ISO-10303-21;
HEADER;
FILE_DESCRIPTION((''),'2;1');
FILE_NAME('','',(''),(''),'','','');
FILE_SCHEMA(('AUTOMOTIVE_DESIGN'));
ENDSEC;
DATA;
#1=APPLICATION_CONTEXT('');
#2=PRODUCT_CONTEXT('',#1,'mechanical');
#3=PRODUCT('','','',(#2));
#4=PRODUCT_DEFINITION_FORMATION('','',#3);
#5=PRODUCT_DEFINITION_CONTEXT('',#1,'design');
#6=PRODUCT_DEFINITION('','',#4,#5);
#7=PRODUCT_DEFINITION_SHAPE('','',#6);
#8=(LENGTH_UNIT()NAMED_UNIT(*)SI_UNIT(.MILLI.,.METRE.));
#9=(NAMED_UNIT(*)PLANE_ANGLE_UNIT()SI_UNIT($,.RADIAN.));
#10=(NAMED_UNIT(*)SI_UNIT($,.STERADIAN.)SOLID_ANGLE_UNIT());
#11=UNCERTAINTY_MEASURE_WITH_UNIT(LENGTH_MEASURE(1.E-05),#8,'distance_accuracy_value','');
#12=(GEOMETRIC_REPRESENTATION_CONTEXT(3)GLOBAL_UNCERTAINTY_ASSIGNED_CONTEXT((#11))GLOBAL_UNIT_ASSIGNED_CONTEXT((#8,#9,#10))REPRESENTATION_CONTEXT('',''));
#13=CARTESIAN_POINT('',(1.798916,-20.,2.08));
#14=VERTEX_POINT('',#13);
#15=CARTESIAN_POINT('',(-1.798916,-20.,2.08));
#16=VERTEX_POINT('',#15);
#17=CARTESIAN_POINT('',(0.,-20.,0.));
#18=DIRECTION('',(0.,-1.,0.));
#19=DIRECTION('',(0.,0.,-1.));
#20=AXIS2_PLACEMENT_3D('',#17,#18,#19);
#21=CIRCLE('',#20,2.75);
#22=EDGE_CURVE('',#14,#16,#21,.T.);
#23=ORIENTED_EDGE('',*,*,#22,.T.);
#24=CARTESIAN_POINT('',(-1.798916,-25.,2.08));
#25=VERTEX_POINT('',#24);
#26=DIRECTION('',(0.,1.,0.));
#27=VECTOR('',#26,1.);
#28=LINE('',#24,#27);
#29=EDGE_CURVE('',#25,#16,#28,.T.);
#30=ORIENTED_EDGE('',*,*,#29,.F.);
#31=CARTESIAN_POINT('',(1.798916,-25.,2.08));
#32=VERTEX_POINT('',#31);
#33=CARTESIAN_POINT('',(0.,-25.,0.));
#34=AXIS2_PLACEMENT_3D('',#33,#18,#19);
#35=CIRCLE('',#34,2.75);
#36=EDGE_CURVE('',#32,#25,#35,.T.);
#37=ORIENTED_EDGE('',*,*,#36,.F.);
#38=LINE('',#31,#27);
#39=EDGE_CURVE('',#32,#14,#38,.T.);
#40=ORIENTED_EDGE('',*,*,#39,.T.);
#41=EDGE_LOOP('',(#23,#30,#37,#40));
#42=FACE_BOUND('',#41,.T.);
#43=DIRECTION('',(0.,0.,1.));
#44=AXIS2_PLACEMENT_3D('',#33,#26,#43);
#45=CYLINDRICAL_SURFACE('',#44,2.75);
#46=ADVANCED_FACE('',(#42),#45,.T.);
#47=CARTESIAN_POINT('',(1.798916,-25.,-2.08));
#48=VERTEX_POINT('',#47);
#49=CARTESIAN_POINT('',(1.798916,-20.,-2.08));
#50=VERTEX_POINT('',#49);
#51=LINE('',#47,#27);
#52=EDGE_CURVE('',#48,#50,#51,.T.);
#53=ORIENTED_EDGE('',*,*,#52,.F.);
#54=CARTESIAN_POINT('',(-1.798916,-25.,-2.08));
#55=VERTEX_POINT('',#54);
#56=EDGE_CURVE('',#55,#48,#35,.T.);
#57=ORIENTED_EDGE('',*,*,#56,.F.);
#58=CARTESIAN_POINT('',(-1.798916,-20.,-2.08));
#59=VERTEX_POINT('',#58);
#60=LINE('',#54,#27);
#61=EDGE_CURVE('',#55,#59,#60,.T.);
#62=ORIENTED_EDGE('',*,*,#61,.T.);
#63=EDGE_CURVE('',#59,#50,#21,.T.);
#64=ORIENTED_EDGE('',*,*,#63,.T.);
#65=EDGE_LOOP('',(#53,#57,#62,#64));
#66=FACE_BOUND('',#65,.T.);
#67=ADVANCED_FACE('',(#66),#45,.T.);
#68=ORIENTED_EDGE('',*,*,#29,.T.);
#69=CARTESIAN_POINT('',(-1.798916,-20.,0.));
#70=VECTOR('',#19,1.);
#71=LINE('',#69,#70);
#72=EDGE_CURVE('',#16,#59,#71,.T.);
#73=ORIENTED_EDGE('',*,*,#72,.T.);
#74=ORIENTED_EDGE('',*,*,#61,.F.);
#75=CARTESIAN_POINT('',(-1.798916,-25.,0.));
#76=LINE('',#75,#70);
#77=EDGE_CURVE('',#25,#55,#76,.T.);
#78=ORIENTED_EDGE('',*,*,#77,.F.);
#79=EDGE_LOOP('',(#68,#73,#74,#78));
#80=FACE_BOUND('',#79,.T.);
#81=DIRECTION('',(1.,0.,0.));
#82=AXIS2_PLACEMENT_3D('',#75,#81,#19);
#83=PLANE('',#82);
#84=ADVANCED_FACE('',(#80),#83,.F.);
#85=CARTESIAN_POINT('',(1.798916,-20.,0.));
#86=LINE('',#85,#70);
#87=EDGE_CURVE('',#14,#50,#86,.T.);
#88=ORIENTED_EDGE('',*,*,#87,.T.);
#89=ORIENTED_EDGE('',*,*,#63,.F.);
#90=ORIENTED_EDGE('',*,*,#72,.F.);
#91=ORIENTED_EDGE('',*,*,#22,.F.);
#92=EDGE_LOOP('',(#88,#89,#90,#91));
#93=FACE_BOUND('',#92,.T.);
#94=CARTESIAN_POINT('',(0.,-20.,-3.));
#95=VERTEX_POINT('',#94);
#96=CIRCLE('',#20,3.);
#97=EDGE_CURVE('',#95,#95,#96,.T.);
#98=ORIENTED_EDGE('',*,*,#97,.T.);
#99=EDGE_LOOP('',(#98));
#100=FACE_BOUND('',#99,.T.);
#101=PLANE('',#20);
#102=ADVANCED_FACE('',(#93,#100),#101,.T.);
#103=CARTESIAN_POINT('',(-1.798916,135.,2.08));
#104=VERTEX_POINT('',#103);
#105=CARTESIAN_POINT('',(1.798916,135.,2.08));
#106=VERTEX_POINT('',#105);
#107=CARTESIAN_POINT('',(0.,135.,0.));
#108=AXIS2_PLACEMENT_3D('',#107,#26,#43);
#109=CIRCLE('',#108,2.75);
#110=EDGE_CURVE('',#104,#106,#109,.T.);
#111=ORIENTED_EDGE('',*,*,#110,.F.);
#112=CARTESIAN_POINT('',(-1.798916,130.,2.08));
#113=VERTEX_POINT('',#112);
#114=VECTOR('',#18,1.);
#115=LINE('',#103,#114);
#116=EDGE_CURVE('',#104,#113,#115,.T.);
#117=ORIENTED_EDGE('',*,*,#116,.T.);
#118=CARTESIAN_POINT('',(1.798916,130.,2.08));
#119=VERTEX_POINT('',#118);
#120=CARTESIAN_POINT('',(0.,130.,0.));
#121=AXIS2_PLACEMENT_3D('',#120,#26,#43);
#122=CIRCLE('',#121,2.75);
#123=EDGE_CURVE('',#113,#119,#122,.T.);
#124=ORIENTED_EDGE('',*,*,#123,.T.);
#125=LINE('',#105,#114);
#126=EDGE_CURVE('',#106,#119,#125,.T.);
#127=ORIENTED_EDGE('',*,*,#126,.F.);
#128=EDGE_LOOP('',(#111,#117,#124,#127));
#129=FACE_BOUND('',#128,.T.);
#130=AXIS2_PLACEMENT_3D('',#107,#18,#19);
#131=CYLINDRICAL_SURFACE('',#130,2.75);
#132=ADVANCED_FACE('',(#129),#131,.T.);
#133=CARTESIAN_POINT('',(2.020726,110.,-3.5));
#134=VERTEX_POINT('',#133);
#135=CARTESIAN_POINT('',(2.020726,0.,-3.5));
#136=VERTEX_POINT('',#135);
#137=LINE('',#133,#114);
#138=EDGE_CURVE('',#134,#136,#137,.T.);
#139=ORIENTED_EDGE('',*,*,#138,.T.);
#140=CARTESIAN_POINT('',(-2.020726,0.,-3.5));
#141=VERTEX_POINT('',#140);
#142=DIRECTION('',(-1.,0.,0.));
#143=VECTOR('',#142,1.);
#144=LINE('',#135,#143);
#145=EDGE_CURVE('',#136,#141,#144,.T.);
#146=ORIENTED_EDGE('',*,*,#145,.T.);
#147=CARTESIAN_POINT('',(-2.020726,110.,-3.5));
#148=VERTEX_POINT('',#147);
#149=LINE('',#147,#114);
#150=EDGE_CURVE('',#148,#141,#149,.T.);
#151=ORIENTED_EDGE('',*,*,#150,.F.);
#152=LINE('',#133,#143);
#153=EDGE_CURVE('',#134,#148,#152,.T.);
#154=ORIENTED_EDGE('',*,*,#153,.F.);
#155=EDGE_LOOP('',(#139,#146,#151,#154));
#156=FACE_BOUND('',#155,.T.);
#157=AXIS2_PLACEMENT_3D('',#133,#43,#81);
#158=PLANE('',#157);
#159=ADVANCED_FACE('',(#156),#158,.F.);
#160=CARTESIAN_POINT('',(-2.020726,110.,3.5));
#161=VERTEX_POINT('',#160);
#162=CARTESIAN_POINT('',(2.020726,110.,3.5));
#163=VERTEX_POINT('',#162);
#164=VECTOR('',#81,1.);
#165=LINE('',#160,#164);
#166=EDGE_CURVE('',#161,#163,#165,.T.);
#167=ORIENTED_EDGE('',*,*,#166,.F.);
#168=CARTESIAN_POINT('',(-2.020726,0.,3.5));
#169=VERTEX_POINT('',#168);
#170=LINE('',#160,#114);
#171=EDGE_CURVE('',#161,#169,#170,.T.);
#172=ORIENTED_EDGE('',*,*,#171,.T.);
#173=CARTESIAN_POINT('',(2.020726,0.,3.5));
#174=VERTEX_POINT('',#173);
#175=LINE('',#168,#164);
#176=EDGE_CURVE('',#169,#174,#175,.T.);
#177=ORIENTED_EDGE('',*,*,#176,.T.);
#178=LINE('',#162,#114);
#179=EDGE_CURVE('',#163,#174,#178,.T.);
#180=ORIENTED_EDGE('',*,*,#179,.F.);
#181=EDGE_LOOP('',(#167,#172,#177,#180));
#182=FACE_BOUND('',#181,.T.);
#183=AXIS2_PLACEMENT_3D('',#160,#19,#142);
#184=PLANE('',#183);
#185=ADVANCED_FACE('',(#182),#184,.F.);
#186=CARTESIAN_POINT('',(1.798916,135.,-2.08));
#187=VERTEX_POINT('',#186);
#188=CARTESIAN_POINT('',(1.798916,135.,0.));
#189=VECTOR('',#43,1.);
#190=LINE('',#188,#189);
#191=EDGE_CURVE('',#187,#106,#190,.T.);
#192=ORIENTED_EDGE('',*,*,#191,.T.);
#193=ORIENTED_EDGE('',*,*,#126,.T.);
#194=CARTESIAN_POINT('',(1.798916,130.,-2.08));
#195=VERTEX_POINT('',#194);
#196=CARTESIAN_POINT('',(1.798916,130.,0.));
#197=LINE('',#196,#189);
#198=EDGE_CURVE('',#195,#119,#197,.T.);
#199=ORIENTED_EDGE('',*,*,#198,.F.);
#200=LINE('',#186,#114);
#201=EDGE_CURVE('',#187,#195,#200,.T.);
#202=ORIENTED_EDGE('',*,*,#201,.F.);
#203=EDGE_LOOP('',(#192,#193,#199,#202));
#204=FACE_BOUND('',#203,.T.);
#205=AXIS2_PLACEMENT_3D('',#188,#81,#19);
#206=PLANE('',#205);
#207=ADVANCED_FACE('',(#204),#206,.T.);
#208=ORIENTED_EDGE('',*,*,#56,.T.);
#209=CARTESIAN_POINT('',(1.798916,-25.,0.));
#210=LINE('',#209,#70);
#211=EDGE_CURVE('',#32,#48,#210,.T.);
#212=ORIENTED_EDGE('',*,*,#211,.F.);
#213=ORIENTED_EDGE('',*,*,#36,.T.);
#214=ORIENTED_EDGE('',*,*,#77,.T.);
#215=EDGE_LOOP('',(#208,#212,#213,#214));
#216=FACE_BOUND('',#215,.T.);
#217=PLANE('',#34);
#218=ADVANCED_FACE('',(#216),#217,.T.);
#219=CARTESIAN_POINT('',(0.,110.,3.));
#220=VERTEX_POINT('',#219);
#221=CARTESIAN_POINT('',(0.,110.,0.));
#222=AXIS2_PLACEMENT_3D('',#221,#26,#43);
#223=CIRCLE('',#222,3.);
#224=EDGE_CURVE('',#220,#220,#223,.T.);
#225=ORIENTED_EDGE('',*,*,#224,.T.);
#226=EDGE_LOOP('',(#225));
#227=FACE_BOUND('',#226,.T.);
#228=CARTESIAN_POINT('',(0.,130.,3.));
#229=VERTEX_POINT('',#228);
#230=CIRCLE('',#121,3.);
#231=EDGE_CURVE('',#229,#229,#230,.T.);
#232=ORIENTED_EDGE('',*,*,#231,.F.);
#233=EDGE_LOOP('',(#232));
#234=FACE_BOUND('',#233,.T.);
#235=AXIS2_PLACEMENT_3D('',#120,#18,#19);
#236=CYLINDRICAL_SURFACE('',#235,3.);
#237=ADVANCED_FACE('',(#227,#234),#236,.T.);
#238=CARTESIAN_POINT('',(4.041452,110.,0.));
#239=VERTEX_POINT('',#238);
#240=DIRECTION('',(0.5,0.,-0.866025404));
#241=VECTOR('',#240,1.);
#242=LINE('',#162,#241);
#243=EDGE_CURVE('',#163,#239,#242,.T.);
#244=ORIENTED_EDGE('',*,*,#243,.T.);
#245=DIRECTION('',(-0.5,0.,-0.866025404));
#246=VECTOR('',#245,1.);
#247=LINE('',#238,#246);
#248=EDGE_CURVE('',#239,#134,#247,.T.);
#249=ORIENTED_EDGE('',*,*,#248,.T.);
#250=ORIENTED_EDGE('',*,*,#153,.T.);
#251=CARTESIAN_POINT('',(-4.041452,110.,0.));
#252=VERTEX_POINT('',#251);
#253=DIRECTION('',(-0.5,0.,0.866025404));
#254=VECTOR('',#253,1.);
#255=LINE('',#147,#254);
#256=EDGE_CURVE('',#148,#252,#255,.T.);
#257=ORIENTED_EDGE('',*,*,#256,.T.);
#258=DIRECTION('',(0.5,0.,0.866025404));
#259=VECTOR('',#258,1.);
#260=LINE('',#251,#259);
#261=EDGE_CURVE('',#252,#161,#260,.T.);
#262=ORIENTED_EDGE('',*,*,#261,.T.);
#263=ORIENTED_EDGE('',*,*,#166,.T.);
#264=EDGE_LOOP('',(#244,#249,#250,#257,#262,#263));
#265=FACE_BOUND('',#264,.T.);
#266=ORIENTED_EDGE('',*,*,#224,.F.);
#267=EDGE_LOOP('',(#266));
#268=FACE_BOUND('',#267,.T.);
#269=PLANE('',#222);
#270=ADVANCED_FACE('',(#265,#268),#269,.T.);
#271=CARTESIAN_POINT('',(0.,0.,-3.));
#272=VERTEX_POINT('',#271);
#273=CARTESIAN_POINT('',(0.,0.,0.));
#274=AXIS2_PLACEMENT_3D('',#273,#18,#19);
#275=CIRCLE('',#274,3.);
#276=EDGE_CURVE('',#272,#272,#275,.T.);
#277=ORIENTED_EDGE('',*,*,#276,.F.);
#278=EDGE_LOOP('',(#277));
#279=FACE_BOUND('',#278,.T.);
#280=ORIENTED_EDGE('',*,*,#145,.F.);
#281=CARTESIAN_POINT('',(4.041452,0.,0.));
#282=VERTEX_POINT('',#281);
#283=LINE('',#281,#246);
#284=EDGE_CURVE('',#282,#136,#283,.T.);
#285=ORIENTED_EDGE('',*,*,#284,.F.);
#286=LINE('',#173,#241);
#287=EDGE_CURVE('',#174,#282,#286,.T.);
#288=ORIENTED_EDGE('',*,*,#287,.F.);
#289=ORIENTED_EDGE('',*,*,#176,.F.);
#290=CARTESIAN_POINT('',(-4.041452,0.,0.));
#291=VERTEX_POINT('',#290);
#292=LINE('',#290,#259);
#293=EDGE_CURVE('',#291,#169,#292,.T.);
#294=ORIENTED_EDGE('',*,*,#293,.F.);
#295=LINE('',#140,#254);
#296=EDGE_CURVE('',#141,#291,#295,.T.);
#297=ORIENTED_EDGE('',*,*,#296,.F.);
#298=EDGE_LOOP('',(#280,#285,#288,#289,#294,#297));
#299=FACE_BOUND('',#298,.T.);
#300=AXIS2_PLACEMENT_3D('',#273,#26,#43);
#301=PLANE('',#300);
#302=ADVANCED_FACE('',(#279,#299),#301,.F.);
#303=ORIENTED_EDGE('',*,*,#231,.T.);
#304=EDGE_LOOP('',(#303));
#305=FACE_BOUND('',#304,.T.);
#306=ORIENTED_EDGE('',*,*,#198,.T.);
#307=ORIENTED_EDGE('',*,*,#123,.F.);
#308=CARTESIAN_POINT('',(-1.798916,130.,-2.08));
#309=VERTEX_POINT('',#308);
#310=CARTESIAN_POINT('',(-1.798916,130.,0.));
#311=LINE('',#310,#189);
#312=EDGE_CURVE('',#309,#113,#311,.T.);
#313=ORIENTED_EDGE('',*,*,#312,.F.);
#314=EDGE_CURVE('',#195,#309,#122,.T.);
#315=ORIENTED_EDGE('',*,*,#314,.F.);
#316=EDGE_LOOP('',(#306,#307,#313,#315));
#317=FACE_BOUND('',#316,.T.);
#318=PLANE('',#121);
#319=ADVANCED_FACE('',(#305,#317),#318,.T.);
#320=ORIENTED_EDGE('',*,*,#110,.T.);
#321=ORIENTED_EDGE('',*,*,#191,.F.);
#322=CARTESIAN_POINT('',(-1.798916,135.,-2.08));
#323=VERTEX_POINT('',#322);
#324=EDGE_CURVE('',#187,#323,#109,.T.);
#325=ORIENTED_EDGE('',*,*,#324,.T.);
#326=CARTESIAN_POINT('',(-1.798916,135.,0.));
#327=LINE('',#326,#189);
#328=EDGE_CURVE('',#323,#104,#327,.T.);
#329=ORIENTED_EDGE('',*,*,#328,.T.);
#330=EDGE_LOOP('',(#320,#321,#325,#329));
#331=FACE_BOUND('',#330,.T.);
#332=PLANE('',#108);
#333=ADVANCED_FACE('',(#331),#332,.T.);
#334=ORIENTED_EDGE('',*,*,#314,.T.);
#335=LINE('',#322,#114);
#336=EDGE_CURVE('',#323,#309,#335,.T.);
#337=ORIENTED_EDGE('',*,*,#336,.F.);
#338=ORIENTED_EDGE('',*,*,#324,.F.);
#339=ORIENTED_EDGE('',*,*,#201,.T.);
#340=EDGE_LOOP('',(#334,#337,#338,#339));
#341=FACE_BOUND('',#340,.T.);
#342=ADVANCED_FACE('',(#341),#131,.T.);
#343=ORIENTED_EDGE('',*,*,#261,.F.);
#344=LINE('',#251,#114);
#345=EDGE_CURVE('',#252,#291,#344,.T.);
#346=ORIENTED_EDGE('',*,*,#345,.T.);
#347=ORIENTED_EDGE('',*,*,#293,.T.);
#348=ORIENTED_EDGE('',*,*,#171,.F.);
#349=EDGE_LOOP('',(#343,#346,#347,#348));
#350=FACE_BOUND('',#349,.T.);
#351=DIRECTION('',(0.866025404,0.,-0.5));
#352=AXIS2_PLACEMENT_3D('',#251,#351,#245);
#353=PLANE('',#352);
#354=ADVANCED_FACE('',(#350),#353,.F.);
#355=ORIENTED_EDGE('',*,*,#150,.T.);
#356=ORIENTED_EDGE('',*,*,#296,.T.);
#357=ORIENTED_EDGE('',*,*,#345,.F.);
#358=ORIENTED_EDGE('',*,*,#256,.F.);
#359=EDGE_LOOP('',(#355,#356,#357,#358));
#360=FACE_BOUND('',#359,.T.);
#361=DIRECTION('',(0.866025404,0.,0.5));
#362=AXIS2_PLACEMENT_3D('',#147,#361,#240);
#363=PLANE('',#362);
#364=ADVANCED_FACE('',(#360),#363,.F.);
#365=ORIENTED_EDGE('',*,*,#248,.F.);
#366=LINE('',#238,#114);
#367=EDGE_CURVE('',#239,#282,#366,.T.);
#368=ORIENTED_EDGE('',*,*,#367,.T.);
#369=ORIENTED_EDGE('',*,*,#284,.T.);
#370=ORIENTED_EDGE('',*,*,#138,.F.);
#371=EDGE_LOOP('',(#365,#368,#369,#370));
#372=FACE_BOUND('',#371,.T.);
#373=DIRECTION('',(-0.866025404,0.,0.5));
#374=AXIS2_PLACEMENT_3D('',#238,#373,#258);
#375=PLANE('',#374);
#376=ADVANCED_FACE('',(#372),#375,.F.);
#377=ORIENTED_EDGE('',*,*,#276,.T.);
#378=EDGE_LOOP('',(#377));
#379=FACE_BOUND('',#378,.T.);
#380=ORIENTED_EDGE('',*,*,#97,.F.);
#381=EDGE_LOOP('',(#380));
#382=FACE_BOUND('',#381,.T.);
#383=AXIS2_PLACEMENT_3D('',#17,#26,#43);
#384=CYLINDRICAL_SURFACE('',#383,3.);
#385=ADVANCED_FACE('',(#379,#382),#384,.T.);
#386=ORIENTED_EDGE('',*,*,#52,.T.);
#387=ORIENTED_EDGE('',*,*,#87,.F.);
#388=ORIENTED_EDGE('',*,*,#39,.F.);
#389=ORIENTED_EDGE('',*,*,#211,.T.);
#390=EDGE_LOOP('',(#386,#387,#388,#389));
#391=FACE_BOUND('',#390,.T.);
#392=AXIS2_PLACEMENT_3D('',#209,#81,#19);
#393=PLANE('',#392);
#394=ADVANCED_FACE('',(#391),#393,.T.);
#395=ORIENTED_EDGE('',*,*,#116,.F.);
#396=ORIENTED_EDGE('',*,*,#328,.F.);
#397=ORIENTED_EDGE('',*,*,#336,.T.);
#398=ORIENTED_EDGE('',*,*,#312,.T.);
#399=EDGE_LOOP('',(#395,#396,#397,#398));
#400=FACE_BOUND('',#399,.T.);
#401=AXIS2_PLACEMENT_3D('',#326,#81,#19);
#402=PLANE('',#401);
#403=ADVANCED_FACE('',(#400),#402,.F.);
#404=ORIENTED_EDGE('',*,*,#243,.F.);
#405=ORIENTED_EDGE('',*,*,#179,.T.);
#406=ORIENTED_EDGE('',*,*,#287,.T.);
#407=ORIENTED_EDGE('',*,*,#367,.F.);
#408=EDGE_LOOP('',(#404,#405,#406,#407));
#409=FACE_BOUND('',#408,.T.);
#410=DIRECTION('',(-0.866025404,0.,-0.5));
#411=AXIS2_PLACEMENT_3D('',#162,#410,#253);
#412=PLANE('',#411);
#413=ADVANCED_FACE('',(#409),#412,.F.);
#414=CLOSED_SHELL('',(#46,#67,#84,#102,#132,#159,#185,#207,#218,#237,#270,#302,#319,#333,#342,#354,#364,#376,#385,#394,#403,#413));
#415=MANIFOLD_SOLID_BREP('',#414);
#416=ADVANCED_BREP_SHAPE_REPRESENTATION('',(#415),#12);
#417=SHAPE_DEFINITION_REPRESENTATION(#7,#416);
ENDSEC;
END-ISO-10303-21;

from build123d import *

# Parameters (mm, degrees)
Y_KSEKLIK_EKSTR_ZYON1_DEPTH = 110
IZIM2_R                     = 3
Y_KSEKLIK_EKSTR_ZYON2_DEPTH = 20
Y_KSEKLIK_EKSTR_ZYON3_DEPTH = 5
Y_KSEKLIK_EKSTR_ZYON4_START = 20
IZIM4_R                     = 3
Y_KSEKLIK_EKSTR_ZYON4_DEPTH = 20
Y_KSEKLIK_EKSTR_ZYON5_START = 5
Y_KSEKLIK_EKSTR_ZYON5_DEPTH = 5


with BuildPart() as part:
    # Çizim1 → Yükseklik-Ekstrüzyon1 (new body)
    with BuildSketch(Plane(origin=(0, 0, 0), x_dir=(1, 0, 0), z_dir=(0, 1, 0))):
        Polygon((4.041451884, 0), (2.020725942, 3.5), (-2.020725942, 3.5), (-4.041451884, 0), (-2.020725942, -3.5), (2.020725942, -3.5), align=None)
    extrude(amount=Y_KSEKLIK_EKSTR_ZYON1_DEPTH)

    # Çizim2 → Yükseklik-Ekstrüzyon2 (add)
    with BuildSketch(Plane(origin=(0, 110, 0), x_dir=(1, 0, 0), z_dir=(0, 1, 0))):
        with Locations(Location((0, 0, 0), (0, 0, 270))):
            Circle(IZIM2_R)
    extrude(amount=Y_KSEKLIK_EKSTR_ZYON2_DEPTH)

    # Çizim3 → Yükseklik-Ekstrüzyon3 (add)
    with BuildSketch(Plane(origin=(0, 130, 0), x_dir=(1, 0, 0), z_dir=(0, 1, 0))):
        with BuildLine():
            ThreePointArc((1.79891634, 2.08), (0, 2.75), (-1.79891634, 2.08))
            Line((-1.79891634, 2.08), (-1.79891634, -2.08))
            ThreePointArc((-1.79891634, -2.08), (0, -2.75), (1.79891634, -2.08))
            Line((1.79891634, -2.08), (1.79891634, 2.08))
        make_face()
    extrude(amount=Y_KSEKLIK_EKSTR_ZYON3_DEPTH)

    # Çizim4 → Yükseklik-Ekstrüzyon4 (add)
    with BuildSketch(Plane.XZ.offset(Y_KSEKLIK_EKSTR_ZYON4_START)):
        with Locations(Location((0, 0, 0), (0, 0, 90))):
            Circle(IZIM4_R)
    extrude(amount=-Y_KSEKLIK_EKSTR_ZYON4_DEPTH)

    # Çizim5 → Yükseklik-Ekstrüzyon5 (add)
    with BuildSketch(Plane.XZ.offset(20).offset(Y_KSEKLIK_EKSTR_ZYON5_START)):
        with BuildLine():
            ThreePointArc((1.79891634, 2.08), (0, 2.75), (-1.79891634, 2.08))
            Line((-1.79891634, 2.08), (-1.79891634, -2.08))
            ThreePointArc((-1.79891634, -2.08), (0, -2.75), (1.79891634, -2.08))
            Line((1.79891634, -2.08), (1.79891634, 2.08))
        make_face()
    extrude(amount=-Y_KSEKLIK_EKSTR_ZYON5_DEPTH)


solid = part.part
